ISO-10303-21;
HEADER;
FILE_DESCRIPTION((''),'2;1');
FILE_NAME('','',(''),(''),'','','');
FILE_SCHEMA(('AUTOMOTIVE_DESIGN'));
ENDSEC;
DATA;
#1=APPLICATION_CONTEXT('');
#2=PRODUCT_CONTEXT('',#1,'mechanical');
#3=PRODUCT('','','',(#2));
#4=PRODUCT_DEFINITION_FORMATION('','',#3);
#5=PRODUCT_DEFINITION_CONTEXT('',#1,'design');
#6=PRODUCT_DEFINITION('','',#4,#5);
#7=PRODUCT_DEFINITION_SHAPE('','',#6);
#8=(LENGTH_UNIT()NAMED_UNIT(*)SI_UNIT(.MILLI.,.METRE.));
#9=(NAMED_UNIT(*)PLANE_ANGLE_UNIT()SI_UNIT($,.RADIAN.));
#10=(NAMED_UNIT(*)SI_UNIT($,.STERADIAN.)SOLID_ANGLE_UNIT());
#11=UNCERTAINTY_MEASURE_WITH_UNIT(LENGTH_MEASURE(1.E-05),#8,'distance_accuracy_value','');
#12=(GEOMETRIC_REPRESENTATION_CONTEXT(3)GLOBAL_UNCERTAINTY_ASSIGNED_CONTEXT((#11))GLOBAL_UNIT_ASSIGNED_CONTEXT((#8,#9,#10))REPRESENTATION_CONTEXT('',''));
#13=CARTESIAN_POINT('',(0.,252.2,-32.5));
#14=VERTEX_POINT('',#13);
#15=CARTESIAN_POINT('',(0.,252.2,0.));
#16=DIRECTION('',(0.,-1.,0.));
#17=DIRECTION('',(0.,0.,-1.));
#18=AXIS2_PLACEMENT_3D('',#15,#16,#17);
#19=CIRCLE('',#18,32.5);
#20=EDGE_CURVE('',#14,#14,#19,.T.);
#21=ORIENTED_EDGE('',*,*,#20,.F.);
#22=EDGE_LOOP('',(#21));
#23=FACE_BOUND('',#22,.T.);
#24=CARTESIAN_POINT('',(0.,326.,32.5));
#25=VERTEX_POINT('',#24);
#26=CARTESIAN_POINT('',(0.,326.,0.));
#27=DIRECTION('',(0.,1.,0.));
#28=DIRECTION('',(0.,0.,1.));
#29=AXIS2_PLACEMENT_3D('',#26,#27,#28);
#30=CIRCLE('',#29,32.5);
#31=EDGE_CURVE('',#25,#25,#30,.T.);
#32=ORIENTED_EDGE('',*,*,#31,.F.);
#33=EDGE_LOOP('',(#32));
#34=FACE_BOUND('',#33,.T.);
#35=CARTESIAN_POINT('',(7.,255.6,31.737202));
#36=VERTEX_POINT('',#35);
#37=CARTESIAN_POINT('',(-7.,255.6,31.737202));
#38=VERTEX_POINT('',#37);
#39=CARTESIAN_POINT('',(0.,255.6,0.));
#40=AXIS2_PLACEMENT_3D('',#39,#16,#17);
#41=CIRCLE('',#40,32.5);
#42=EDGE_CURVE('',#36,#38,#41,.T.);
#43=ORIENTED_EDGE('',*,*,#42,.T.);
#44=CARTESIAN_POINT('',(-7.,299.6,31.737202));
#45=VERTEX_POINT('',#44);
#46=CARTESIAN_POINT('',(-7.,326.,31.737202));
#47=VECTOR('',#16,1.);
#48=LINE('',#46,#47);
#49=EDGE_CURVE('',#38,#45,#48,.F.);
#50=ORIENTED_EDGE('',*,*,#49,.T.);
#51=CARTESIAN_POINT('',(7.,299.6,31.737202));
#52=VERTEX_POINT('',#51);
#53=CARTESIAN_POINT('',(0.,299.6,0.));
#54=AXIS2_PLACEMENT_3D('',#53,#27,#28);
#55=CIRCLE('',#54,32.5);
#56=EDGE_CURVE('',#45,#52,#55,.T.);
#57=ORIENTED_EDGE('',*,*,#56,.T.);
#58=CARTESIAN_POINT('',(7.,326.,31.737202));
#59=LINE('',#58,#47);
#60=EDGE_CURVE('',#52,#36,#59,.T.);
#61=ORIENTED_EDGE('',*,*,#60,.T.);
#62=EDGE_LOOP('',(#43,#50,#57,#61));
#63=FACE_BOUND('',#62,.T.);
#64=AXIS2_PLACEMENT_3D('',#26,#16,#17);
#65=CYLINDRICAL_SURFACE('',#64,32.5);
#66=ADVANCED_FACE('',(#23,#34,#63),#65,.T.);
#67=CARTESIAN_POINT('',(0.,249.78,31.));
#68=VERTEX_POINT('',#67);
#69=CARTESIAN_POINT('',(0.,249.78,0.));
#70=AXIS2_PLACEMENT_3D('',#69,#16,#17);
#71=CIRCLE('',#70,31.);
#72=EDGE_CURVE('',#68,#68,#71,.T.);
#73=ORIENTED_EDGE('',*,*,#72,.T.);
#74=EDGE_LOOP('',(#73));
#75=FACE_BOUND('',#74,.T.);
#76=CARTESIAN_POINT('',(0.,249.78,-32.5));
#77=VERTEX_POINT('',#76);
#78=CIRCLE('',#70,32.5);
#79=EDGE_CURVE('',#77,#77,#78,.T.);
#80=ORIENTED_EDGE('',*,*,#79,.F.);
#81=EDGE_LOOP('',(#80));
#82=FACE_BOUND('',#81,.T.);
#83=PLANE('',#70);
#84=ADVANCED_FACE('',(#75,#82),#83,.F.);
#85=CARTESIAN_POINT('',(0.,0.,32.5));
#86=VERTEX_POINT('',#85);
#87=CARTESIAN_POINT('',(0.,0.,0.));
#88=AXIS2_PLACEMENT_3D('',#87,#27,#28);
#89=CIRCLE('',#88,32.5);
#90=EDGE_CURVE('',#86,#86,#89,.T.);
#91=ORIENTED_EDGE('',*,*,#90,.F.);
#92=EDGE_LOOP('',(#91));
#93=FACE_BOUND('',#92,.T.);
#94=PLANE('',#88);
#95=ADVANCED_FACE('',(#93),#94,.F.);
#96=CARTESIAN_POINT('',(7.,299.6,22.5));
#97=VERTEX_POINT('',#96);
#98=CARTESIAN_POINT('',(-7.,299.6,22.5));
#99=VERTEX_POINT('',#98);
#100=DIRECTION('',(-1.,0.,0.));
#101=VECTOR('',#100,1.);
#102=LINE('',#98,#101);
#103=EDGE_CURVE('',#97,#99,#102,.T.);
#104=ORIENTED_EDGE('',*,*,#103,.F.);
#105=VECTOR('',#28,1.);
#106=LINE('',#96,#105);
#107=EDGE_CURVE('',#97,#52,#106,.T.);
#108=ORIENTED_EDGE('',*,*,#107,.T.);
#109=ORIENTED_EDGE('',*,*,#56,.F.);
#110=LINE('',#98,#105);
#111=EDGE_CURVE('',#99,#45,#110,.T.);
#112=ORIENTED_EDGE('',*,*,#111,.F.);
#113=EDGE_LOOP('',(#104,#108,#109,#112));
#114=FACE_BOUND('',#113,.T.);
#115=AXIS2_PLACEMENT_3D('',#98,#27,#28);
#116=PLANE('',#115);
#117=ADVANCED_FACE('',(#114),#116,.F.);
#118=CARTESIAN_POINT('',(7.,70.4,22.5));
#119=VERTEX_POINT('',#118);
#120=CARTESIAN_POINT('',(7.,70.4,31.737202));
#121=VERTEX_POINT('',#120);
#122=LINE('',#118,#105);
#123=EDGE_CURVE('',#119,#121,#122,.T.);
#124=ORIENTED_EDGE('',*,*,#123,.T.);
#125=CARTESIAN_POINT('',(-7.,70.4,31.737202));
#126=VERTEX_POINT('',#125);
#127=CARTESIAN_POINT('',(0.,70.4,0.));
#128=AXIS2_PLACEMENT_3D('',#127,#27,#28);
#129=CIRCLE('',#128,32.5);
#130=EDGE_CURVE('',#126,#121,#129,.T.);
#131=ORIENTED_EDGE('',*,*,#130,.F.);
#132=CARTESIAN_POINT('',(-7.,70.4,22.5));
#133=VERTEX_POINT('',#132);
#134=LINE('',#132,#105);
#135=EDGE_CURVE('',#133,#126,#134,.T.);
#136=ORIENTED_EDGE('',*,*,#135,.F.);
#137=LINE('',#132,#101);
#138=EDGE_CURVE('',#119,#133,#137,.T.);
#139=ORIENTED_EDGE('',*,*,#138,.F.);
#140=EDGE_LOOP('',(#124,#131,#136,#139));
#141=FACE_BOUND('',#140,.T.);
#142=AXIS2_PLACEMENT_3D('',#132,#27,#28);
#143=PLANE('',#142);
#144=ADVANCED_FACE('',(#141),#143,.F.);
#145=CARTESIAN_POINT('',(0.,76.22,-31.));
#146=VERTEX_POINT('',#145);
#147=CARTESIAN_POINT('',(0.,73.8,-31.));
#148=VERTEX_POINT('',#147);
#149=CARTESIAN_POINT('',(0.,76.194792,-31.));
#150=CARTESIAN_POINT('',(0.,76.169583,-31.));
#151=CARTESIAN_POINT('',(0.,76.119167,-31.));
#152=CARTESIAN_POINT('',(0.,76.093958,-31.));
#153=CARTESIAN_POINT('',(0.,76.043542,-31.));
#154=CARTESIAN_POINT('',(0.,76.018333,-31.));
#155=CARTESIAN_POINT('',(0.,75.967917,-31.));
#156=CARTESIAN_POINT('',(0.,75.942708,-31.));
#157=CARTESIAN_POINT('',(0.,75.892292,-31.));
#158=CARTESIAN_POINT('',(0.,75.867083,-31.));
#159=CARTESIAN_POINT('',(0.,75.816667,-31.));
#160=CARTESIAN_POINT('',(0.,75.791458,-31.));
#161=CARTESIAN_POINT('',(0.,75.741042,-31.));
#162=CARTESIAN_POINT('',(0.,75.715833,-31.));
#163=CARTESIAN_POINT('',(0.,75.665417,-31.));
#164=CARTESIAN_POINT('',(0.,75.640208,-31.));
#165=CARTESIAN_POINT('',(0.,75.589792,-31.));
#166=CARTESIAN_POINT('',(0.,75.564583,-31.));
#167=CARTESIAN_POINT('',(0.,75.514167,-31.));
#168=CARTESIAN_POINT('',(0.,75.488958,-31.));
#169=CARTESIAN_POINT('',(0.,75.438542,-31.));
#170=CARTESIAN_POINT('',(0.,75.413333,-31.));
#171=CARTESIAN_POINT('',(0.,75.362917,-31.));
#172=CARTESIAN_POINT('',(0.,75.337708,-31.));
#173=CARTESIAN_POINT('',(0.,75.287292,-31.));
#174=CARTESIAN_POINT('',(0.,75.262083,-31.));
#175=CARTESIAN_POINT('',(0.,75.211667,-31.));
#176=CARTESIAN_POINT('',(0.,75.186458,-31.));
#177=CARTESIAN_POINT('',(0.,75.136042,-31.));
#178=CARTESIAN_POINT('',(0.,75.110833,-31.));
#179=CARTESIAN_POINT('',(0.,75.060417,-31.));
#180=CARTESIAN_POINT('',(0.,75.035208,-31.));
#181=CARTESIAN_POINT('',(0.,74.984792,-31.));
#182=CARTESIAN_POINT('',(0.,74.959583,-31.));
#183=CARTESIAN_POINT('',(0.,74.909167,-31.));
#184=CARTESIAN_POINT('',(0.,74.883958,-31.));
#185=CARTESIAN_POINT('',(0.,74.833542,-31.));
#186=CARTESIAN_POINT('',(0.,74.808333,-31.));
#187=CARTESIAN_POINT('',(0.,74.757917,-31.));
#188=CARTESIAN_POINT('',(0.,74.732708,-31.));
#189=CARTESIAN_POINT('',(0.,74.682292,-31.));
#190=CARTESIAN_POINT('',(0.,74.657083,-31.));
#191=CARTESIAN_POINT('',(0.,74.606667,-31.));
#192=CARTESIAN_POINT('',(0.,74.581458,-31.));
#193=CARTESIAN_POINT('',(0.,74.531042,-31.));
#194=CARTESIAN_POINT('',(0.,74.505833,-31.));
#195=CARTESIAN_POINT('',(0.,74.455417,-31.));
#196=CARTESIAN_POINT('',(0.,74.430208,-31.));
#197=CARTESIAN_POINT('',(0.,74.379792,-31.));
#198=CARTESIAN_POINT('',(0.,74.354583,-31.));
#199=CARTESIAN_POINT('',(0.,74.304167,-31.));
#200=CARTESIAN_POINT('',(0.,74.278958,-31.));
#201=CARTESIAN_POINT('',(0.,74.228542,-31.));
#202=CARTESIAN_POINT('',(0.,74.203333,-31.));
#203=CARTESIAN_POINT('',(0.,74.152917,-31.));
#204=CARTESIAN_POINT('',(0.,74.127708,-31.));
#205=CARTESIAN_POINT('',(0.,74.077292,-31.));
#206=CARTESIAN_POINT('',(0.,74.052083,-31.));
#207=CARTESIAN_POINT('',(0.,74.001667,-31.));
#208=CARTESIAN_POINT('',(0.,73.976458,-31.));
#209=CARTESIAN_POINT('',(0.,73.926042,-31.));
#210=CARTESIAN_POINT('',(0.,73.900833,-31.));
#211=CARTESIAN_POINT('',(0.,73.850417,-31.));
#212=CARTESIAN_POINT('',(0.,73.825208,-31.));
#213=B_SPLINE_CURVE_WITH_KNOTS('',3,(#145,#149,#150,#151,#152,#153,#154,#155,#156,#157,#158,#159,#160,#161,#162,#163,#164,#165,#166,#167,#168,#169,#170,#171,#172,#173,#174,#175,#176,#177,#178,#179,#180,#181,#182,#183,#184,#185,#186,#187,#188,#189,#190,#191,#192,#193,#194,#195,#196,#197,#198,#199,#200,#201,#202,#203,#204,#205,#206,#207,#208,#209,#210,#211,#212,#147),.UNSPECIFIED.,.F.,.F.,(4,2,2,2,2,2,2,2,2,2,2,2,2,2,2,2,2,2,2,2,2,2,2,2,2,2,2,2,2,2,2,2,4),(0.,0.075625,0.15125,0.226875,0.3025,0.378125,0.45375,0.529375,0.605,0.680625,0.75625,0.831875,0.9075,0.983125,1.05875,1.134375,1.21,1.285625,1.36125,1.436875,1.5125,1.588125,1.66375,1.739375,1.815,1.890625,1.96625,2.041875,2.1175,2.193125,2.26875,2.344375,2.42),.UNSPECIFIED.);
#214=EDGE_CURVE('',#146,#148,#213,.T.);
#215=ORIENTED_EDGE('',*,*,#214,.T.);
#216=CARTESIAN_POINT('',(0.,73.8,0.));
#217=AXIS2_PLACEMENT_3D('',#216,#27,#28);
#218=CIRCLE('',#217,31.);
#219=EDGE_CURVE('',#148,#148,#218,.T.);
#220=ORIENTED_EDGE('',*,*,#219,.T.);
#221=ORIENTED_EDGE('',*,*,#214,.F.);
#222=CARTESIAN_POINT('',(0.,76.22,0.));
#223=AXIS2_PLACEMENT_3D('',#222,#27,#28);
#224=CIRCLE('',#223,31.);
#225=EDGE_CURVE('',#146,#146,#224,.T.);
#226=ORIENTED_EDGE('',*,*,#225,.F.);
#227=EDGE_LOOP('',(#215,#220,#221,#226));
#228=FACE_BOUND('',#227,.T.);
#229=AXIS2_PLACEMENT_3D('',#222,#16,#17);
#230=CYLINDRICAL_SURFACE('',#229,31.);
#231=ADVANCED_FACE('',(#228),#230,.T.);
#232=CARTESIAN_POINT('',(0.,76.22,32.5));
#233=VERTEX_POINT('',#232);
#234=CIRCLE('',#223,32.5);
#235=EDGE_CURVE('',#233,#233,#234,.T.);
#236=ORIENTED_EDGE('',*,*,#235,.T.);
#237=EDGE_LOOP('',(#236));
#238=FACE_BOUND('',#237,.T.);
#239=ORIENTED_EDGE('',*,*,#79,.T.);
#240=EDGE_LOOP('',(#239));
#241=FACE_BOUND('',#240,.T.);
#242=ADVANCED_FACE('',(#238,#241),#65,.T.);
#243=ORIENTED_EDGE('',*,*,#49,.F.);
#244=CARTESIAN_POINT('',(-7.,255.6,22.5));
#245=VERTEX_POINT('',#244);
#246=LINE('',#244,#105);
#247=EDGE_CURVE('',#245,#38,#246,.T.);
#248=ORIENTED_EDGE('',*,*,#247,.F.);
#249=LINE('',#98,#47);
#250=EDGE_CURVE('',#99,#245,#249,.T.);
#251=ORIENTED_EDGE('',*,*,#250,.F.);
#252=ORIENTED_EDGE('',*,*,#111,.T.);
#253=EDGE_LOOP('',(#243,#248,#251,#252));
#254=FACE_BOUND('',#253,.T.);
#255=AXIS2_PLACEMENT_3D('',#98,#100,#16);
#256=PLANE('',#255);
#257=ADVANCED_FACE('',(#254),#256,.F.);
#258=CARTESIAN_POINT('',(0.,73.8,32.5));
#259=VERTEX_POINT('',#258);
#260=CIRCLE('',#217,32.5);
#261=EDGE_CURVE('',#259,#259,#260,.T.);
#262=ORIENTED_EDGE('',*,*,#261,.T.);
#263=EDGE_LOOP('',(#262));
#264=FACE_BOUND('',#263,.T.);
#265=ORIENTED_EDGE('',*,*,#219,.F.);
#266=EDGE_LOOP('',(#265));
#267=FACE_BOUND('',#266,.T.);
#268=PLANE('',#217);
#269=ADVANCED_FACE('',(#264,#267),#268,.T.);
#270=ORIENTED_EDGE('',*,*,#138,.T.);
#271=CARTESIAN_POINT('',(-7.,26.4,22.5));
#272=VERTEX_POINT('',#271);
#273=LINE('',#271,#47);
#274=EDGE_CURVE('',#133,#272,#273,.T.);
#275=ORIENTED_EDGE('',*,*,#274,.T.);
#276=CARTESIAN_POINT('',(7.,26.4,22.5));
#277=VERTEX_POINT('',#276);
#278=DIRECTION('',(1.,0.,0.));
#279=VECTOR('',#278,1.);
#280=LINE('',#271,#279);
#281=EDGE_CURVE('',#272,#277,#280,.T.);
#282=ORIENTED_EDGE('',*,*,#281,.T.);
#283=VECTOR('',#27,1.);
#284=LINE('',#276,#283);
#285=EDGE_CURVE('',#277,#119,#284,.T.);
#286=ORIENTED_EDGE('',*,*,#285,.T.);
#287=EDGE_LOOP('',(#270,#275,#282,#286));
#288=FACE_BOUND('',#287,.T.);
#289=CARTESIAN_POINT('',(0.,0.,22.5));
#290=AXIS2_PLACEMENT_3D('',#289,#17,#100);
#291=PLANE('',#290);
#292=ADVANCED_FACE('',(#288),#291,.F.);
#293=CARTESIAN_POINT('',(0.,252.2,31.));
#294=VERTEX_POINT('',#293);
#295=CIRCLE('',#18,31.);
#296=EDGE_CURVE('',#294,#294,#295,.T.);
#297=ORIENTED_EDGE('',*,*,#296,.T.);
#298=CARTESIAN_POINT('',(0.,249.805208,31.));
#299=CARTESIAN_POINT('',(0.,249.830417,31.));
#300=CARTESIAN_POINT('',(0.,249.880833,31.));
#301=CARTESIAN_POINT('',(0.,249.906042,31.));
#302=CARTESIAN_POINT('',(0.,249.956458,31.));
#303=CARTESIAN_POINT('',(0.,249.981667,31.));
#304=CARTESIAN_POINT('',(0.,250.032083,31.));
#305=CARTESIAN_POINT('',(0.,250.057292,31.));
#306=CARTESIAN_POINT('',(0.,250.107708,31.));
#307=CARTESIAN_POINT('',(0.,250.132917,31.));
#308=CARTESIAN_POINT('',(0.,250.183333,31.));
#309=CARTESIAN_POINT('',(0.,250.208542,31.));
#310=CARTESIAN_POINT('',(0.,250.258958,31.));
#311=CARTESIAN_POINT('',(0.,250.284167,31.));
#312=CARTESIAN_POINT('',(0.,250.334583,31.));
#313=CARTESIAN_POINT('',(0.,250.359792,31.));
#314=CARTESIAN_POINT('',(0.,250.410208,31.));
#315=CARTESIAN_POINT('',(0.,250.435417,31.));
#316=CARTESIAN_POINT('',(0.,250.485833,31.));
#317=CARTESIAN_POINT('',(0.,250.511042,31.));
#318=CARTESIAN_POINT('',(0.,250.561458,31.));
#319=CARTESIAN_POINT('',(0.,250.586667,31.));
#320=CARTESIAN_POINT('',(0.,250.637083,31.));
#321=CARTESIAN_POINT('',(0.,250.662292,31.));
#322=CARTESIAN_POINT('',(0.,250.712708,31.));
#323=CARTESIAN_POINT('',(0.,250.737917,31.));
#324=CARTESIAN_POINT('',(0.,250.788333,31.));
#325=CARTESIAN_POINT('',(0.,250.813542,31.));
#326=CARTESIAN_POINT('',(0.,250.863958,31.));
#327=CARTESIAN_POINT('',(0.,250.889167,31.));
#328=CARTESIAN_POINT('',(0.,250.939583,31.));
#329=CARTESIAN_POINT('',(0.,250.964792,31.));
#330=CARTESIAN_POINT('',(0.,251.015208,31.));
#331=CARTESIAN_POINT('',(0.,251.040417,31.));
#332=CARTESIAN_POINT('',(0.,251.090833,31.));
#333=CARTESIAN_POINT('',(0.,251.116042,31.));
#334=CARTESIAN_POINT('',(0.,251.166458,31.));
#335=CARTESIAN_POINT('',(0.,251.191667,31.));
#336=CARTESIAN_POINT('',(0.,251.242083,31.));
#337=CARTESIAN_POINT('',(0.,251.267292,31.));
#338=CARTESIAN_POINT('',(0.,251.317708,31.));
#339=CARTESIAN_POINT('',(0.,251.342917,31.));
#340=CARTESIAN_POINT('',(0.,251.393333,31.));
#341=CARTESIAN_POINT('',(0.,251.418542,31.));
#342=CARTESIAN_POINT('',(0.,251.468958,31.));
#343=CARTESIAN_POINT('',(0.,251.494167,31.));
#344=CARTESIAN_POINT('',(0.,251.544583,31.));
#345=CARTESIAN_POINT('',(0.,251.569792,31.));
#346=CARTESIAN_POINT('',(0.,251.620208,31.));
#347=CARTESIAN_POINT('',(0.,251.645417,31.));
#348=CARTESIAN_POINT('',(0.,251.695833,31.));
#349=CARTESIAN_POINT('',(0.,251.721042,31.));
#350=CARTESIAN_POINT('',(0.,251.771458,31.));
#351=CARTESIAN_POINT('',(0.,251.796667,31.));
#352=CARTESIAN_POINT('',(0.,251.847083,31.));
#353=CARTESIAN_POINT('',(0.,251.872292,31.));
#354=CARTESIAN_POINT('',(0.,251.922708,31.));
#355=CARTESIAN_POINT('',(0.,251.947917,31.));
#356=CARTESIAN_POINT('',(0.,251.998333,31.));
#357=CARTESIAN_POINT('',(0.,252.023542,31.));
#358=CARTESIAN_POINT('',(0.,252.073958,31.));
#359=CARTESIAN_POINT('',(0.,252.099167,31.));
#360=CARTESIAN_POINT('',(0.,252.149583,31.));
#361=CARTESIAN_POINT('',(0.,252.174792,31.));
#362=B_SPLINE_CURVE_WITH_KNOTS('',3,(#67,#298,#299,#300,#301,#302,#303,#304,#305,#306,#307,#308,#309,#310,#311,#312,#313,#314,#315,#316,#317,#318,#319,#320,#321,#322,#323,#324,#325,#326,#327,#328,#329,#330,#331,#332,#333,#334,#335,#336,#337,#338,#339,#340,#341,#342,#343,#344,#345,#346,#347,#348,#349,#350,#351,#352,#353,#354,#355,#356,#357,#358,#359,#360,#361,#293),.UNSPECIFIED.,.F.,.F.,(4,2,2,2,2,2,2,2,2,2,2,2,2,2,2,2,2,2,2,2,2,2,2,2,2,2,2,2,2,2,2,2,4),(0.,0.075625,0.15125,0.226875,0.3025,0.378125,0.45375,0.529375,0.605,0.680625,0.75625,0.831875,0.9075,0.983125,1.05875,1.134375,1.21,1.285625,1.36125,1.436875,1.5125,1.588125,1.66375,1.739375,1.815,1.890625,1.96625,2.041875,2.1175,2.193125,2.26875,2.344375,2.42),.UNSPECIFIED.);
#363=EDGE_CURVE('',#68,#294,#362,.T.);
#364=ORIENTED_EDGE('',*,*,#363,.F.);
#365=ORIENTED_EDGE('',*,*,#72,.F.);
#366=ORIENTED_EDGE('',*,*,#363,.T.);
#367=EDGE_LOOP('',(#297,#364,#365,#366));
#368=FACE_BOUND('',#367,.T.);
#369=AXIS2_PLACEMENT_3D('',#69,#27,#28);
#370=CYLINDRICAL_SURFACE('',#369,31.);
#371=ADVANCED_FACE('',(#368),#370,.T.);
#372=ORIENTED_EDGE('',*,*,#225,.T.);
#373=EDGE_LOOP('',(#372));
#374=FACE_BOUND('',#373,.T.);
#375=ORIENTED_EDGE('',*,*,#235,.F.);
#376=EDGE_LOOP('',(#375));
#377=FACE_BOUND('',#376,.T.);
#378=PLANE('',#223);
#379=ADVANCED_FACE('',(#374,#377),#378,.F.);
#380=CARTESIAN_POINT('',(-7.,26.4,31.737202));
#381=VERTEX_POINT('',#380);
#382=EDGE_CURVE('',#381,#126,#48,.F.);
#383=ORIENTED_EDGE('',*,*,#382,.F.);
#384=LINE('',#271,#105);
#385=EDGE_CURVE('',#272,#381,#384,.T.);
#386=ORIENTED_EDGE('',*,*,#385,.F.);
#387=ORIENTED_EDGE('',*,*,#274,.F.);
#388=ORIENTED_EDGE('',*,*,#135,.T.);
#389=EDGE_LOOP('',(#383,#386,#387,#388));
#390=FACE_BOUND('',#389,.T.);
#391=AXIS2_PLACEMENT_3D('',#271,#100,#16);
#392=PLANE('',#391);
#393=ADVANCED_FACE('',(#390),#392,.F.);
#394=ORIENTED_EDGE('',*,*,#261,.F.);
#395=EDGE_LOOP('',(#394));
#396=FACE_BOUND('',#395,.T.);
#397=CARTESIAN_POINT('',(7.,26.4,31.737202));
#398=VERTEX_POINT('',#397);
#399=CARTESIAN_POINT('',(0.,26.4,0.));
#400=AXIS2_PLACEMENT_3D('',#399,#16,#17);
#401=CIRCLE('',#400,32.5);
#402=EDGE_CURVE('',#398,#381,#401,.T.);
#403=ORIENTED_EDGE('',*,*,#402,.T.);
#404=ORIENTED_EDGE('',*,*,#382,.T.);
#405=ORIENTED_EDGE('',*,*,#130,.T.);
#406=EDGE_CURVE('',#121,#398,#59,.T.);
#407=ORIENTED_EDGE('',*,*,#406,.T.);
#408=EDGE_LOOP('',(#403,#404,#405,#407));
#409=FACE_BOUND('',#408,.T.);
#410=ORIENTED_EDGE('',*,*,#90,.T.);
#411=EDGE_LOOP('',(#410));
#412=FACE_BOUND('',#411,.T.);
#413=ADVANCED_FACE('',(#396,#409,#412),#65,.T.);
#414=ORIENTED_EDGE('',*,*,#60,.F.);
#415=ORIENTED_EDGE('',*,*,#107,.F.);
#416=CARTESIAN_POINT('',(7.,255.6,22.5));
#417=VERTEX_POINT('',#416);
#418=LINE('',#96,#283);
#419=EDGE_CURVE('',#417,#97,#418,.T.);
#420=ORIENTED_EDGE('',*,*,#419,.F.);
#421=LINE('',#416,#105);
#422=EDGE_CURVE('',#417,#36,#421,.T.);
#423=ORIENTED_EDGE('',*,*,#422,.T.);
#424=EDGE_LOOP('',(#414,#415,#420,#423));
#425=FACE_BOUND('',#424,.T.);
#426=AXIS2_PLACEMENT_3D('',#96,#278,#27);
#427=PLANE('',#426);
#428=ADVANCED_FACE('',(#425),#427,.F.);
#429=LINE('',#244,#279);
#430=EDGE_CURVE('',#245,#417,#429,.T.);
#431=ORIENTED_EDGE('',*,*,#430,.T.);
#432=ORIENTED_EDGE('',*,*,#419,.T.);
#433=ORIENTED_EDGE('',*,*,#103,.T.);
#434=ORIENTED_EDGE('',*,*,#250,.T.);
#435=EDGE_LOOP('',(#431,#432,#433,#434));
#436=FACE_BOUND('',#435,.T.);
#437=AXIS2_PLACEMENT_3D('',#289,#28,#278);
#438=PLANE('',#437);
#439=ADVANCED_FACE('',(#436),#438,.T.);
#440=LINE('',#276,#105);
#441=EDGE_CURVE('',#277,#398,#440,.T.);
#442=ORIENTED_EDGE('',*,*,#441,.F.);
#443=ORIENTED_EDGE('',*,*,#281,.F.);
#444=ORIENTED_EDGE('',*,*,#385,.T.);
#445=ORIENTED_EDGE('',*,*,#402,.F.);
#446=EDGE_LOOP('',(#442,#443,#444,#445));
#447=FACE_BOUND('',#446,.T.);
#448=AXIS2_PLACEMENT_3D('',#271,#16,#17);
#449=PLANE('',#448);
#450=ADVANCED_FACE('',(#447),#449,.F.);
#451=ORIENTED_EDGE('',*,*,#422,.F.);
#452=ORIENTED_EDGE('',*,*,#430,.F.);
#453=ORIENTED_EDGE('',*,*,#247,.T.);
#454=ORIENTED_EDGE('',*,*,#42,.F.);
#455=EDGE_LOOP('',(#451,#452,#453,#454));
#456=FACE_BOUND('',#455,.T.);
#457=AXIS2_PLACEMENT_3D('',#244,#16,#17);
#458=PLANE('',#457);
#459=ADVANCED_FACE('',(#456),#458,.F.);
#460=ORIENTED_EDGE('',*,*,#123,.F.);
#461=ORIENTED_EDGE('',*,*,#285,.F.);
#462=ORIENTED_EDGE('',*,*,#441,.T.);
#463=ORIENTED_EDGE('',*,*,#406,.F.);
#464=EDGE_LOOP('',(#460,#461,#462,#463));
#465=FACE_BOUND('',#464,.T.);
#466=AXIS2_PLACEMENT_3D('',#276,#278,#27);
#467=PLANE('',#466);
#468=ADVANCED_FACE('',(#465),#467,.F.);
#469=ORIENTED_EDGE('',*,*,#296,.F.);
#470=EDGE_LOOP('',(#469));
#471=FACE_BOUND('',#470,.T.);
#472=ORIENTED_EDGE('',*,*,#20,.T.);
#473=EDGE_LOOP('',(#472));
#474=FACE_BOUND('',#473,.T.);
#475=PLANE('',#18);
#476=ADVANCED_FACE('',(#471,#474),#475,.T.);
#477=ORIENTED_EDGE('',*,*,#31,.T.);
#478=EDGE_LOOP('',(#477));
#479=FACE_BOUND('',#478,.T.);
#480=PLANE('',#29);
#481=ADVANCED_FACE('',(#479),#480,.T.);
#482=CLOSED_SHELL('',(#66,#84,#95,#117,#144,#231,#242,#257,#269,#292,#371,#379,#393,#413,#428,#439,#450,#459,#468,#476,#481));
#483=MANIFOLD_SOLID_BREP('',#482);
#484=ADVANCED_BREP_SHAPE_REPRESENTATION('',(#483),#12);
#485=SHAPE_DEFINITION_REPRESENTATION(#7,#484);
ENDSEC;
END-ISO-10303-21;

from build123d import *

# Parameters (mm, degrees)
SKETCH1_R           = 32.5
BOSS_EXTRUDE1_DEPTH = 326
SKETCH2_R           = 53.453114337
SKETCH2_R_2         = 31
CUT_EXTRUDE1_DEPTH  = 2.42
CUT_EXTRUDE2_START  = 2.42
SKETCH3_R           = 95.953037666
SKETCH3_R_2         = 31
CUT_EXTRUDE2_DEPTH  = 2.42
SKETCH5_W           = 14
SKETCH5_H           = 44
CUT_EXTRUDE3_DEPTH  = 10


with BuildPart() as part:
    # Sketch1 → Boss-Extrude1 (new body)
    with BuildSketch(Plane(origin=(0, 0, 0), x_dir=(1, 0, 0), z_dir=(0, 1, 0))):
        Circle(SKETCH1_R)
    extrude(amount=BOSS_EXTRUDE1_DEPTH)

    # Sketch2 → Cut-Extrude1 (cut)
    with BuildSketch(Plane(origin=(0, 73.8, 0), x_dir=(1, 0, 0), z_dir=(0, 1, 0))):
        Circle(SKETCH2_R)
        Circle(SKETCH2_R_2, mode=Mode.SUBTRACT)
    extrude(amount=CUT_EXTRUDE1_DEPTH, mode=Mode.SUBTRACT)

    # Sketch3 → Cut-Extrude2 (cut)
    with BuildSketch(Plane(origin=(0, 252.2, 0), x_dir=(-1, 0, 0), z_dir=(0, -1, 0)).offset(CUT_EXTRUDE2_START)):
        Circle(SKETCH3_R)
        Circle(SKETCH3_R_2, mode=Mode.SUBTRACT)
    extrude(amount=-CUT_EXTRUDE2_DEPTH, mode=Mode.SUBTRACT)

    # Sketch5 → Cut-Extrude3 (cut)
    with BuildSketch(Plane.XY.offset(32.5)):
        with Locations((0, 277.6)):
            Rectangle(SKETCH5_W, SKETCH5_H)
        with Locations((0, 48.4)):
            Rectangle(SKETCH5_W, SKETCH5_H)
    extrude(amount=-CUT_EXTRUDE3_DEPTH, mode=Mode.SUBTRACT)


solid = part.part
